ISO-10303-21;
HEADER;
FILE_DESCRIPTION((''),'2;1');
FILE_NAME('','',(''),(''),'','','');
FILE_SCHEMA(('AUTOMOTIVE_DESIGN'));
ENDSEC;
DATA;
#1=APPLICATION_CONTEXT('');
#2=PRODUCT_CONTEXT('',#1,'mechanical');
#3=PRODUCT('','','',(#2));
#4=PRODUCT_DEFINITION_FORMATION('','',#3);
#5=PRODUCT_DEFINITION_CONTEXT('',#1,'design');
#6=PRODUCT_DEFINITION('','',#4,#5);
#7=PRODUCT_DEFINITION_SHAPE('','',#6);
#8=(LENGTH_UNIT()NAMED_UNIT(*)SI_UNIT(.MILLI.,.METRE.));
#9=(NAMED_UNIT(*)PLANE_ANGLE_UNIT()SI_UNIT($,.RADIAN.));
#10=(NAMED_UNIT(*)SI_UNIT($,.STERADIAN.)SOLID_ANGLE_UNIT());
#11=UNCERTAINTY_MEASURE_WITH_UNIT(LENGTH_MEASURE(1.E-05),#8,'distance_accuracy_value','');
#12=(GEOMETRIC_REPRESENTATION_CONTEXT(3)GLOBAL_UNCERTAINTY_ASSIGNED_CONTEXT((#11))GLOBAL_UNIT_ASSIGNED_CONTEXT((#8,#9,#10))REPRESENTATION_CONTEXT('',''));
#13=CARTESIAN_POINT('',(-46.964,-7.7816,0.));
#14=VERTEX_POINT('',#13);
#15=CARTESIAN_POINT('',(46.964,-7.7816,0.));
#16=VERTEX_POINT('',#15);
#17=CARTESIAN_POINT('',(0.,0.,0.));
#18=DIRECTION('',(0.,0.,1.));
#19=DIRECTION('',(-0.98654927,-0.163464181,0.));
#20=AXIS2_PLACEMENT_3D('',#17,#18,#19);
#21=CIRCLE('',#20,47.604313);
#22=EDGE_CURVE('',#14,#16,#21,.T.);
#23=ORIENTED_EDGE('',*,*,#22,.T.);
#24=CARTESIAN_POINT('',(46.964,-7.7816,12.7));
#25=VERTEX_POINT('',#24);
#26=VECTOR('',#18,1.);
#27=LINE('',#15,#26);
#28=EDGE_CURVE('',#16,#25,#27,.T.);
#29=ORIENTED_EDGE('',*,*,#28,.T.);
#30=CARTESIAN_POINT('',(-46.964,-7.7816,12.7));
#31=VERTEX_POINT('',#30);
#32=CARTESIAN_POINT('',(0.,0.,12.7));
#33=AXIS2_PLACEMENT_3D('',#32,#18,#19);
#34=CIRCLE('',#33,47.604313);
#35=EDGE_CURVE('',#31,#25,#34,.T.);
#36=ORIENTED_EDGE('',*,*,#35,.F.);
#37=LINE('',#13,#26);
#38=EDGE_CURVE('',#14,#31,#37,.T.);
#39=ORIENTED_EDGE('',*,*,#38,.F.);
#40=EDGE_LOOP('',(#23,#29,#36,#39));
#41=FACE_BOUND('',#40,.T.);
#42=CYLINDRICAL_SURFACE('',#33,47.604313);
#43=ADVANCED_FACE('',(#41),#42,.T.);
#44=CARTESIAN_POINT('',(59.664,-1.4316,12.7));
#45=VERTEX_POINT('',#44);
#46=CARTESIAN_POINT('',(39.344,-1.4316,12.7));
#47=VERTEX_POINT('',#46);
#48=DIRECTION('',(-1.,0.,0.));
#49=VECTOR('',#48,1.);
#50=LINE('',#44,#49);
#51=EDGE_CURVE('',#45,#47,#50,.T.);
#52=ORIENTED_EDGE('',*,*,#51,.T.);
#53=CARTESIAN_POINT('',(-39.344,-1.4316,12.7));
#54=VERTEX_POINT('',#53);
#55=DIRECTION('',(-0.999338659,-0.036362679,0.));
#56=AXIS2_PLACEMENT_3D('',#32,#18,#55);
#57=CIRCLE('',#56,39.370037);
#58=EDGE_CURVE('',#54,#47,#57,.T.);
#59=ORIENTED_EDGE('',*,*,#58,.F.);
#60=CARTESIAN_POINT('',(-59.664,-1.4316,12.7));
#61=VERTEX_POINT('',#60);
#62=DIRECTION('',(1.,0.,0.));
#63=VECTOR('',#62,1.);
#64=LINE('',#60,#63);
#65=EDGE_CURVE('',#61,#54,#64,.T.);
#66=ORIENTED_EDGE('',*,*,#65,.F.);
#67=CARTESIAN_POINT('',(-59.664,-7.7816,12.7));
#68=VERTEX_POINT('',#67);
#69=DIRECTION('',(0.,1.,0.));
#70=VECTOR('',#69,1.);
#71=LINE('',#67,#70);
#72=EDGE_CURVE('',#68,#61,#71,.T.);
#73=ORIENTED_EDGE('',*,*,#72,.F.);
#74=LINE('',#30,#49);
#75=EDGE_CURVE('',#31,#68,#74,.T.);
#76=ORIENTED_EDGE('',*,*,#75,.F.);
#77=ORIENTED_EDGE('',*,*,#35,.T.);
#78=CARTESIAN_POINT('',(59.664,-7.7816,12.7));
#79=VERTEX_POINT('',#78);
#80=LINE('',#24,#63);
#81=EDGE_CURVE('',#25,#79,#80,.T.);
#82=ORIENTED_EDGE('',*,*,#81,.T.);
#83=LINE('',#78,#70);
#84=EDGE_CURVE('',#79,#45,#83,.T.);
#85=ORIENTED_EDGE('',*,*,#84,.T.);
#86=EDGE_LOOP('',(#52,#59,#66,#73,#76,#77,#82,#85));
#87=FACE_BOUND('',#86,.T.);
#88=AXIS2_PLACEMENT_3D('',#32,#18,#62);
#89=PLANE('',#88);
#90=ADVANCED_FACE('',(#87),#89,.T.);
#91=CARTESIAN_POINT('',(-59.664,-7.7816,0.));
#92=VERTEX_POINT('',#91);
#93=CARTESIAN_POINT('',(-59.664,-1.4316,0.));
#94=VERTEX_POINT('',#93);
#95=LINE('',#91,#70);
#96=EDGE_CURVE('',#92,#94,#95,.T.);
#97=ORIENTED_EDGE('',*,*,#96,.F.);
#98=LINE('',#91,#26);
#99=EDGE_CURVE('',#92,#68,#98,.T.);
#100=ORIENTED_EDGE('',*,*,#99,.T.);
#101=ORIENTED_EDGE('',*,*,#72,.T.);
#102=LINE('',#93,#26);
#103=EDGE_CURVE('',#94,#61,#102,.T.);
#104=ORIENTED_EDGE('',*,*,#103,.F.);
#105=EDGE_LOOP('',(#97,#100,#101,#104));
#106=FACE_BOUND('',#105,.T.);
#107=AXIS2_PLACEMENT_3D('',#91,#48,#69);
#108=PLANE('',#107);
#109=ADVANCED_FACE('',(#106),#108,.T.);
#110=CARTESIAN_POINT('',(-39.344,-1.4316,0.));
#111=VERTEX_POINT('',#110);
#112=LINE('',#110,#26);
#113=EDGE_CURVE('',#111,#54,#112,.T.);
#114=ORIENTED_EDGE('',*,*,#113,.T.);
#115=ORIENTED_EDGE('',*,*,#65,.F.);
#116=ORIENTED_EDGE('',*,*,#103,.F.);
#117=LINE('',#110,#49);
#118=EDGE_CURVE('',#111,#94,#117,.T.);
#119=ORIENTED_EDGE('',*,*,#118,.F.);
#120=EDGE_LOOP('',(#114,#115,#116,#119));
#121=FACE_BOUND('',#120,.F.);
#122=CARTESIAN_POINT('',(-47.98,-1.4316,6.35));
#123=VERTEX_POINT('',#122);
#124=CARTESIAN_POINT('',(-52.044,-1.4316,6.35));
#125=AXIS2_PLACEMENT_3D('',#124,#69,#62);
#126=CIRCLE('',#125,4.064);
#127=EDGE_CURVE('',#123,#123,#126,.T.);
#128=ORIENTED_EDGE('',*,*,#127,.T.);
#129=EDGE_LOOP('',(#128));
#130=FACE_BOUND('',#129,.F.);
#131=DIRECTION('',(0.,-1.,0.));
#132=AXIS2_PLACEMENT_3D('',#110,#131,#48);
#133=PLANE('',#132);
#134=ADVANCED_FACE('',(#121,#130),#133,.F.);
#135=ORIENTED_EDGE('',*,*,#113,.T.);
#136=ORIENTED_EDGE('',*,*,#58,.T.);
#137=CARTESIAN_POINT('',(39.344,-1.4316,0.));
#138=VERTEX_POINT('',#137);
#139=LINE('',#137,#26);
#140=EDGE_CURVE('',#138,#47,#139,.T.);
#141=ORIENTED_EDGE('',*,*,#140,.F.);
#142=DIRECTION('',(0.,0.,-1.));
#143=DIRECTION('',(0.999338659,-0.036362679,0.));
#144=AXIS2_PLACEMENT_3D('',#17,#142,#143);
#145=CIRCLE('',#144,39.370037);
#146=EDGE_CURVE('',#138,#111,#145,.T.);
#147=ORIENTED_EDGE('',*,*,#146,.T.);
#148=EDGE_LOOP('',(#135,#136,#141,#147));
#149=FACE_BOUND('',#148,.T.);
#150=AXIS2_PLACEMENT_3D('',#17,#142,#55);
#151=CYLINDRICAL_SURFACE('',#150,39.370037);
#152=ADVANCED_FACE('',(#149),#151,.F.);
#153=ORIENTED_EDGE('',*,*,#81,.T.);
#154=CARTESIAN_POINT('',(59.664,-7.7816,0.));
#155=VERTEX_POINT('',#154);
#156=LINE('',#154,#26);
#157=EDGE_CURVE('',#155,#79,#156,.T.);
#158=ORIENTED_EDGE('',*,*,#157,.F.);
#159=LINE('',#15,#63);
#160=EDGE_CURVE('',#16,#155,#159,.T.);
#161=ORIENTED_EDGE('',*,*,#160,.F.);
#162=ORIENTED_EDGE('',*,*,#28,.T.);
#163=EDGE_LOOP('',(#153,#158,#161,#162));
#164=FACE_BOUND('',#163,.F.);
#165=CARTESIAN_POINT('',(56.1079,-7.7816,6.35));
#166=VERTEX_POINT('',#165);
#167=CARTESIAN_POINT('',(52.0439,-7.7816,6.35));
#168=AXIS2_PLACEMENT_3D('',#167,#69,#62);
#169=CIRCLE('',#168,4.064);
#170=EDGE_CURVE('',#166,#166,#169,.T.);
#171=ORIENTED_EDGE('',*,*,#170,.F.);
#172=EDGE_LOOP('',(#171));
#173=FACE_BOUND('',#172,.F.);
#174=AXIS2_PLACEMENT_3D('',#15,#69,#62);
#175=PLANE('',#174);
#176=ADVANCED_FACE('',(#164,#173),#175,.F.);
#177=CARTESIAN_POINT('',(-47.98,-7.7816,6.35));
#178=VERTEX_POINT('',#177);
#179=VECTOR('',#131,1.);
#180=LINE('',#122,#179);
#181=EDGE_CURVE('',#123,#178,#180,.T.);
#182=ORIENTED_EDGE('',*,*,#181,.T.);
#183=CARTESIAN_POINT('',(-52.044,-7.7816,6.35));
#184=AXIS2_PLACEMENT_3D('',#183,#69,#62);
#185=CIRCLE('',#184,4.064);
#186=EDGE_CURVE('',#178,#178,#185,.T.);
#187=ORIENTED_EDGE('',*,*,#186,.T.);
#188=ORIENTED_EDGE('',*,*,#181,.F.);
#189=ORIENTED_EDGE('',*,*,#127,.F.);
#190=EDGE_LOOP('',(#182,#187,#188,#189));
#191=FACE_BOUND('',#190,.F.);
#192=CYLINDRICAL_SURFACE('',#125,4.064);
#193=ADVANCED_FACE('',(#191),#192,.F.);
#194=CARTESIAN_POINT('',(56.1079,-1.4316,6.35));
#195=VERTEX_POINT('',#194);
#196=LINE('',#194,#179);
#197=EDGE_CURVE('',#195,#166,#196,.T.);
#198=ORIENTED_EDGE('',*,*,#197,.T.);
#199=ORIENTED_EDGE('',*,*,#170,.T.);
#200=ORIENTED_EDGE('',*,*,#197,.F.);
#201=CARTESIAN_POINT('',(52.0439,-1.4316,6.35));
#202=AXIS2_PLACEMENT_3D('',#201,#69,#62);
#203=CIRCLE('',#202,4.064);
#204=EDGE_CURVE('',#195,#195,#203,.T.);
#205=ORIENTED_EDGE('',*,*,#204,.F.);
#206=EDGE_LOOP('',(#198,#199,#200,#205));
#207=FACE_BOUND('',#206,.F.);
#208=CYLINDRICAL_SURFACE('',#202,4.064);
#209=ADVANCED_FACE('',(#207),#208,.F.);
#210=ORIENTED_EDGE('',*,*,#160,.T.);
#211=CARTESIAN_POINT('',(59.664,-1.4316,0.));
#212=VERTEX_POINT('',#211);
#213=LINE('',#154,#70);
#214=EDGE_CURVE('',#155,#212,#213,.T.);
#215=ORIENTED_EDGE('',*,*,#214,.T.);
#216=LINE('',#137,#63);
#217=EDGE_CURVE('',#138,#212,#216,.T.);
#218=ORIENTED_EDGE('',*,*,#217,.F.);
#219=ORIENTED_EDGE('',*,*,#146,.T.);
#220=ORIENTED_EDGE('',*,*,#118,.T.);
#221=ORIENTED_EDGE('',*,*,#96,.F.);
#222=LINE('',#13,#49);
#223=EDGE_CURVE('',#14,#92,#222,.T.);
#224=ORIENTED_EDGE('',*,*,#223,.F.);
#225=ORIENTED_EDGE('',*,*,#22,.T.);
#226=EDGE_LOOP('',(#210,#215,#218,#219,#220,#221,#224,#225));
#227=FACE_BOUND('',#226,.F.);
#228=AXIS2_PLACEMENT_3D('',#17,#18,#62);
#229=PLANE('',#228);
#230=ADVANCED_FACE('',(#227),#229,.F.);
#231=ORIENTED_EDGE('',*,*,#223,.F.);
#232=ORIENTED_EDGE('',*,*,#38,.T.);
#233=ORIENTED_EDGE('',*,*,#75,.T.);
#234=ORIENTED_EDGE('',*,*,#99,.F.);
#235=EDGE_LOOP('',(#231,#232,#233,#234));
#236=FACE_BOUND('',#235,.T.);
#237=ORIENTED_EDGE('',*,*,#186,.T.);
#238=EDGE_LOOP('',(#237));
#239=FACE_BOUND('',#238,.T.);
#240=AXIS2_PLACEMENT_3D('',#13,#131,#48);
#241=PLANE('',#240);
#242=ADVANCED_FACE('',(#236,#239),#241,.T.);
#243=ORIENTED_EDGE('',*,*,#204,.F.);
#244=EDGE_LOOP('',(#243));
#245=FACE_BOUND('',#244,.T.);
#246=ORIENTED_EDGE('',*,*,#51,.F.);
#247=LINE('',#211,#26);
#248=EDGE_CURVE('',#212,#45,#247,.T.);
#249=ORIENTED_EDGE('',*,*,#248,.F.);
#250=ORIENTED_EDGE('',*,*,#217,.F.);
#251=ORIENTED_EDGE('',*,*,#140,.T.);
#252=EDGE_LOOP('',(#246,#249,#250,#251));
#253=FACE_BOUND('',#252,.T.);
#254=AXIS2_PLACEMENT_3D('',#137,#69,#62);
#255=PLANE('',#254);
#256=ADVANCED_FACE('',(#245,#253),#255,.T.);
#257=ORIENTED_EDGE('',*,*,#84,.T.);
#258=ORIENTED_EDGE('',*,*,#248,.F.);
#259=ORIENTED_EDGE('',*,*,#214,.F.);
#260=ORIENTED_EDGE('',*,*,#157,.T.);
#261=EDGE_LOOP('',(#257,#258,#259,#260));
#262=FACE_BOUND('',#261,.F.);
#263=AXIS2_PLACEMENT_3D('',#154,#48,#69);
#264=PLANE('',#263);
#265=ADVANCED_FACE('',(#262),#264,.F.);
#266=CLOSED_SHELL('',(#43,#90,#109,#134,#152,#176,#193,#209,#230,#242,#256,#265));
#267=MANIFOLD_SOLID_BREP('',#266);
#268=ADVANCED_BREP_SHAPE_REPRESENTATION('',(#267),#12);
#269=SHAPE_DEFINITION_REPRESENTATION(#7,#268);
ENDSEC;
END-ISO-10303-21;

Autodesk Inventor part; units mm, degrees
ref_plane "YZ Plane" through (0, 0, 0) normal (1, 0, 0) x (0, 1, 0)
ref_plane "XZ Plane" through (0, 0, 0) normal (0, 1, 0) x (-1, 0, 0)
ref_plane "XY Plane" through (0, 0, 0) normal (0, 0, 1) x (1, 0, 0)
sketch "Sketch1" plane through (0, 0, 0) normal (0, 0, 1) x (1, 0, 0)
  arc A0 (-39.344, -1.4316) -> (39.344, -1.4316) centre (0, 0) ccw
  line L0 (-39.344, -1.4316) -> (-39.3671, -1.4316)
  line L1 (-39.344, -1.4316) -> (-52.044, -1.4316)
  line L2 (39.344, -1.4316) -> (52.044, -1.4316)
  arc A1 (-46.964, -22.4724) -> (46.964, -22.4724) centre (0, 0) ccw
  line L3 (-52.044, -1.4316) -> (-59.664, -1.4316)
  line L4 (52.044, -1.4316) -> (59.664, -1.4316)
  line L5 (39.344, -1.4316) -> (46.964, -1.4316)
  line L6 (46.964, -1.4316) -> (46.964, -22.4724)
  line L7 (-39.344, -1.4316) -> (-45.694, -1.4316)
  line L8 (-39.344, -1.4316) -> (-46.964, -1.4316)
  line L9 (-46.964, -1.4316) -> (-46.964, -22.4724)
  line L10 (-46.964, -7.7816) -> (-59.664, -7.7816)
  line L11 (-59.664, -7.7816) -> (-59.664, -1.4316)
  line L12 (46.964, -7.7816) -> (59.664, -7.7816)
  line L13 (59.664, -7.7816) -> (59.664, -1.4316)
  line L14 (46.964, -42.5386) -> (30.0181, -42.5386)
  line L15 (46.964, -22.4724) -> (46.964, -42.5386)
  line L16 (46.964, -42.5386) -> (-46.964, -42.5386)
  line L17 (-46.964, -42.5386) -> (-46.964, -22.4724)
  line L18 (-46.964, -42.5386) -> (46.964, -42.5386)
  line L19 (46.964, -42.5386) -> (46.964, -52.2316)
  line L20 (46.964, -52.2316) -> (-46.964, -52.2316)
  line L21 (-46.964, -52.2316) -> (-46.964, -42.5386)
  line L22 (-46.964, -22.4724) -> (-32.3263, -22.4724)
  line L23 (32.3263, -22.4724) -> (46.964, -22.4724)
  dimension "d0" = 78.74
  dimension "d1" = 12.7
  dimension "d2" = 12.7
  dimension "d4" = 7.62
  dimension "d5" = 7.62
  dimension "d6" = 7.62
  dimension "d7" = 7.62
  dimension "d8" = 6.35
  dimension "d9" = 6.35
  dimension "d20" = 50.8
extrude "Extrusion1" add sketch "Sketch1" along normal blind 12.7
sketch "Sketch2" plane through (-59.664, -1.4316, 0) normal (0, 1, 0) x (1, 0, 0)
  line L0 (20.32, 0) -> (0, 0) projected
  line L1 (0, 0) -> (20.32, 0)
  circle A0 centre (7.62, -6.35) radius 4.064
  circle A1 centre (111.7079, -6.35) radius 4.064
  line L2 (99.0079, 0) -> (99.0079, -12.7) projected
  line L3 (20.32, 0) -> (20.32, -12.7) projected
  point P0 (59.664, 0)
  dimension "d14" = 12.7
  dimension "d15" = 12.7
  dimension "d16" = 8.128
  dimension "d17" = 8.128
extrude "Extrusion2" cut sketch "Sketch2" against normal blind 25.4
sketch "Sketch3" plane through (0, 0, 12.7) normal (0, 0, 1) x (1, 0, 0)
  arc A0 (-39.344, -1.4316) -> (39.344, -1.4316) centre (0, 0) ccw projected
  arc A1 (39.344, -1.4316) -> (-39.344, -1.4316) centre (0, 0) ccw
  line L0 (-59.664, -7.7816) -> (-46.964, -7.7816) projected
  line L1 (46.964, -52.2316) -> (46.964, -7.7816) projected
  arc A2 (-46.964, -7.7816) -> (46.964, -7.7816) centre (0, 0) ccw
  line L2 (-46.964, -7.7816) -> (-46.964, -52.2316) projected
  line L3 (46.964, -7.7816) -> (-46.964, -7.7816)
  line L4 (-46.964, -7.7816) -> (-46.964, -52.2316)
  line L5 (-46.964, -52.2316) -> (46.964, -52.2316)
  line L6 (46.964, -52.2316) -> (46.964, -7.7816)
extrude "Extrusion3" cut sketch "Sketch3" against normal blind 25.4 contours A2 L1 L5 L2
properties part number "MOTOR MOUNT REAL TOP E3O MOTOR"
